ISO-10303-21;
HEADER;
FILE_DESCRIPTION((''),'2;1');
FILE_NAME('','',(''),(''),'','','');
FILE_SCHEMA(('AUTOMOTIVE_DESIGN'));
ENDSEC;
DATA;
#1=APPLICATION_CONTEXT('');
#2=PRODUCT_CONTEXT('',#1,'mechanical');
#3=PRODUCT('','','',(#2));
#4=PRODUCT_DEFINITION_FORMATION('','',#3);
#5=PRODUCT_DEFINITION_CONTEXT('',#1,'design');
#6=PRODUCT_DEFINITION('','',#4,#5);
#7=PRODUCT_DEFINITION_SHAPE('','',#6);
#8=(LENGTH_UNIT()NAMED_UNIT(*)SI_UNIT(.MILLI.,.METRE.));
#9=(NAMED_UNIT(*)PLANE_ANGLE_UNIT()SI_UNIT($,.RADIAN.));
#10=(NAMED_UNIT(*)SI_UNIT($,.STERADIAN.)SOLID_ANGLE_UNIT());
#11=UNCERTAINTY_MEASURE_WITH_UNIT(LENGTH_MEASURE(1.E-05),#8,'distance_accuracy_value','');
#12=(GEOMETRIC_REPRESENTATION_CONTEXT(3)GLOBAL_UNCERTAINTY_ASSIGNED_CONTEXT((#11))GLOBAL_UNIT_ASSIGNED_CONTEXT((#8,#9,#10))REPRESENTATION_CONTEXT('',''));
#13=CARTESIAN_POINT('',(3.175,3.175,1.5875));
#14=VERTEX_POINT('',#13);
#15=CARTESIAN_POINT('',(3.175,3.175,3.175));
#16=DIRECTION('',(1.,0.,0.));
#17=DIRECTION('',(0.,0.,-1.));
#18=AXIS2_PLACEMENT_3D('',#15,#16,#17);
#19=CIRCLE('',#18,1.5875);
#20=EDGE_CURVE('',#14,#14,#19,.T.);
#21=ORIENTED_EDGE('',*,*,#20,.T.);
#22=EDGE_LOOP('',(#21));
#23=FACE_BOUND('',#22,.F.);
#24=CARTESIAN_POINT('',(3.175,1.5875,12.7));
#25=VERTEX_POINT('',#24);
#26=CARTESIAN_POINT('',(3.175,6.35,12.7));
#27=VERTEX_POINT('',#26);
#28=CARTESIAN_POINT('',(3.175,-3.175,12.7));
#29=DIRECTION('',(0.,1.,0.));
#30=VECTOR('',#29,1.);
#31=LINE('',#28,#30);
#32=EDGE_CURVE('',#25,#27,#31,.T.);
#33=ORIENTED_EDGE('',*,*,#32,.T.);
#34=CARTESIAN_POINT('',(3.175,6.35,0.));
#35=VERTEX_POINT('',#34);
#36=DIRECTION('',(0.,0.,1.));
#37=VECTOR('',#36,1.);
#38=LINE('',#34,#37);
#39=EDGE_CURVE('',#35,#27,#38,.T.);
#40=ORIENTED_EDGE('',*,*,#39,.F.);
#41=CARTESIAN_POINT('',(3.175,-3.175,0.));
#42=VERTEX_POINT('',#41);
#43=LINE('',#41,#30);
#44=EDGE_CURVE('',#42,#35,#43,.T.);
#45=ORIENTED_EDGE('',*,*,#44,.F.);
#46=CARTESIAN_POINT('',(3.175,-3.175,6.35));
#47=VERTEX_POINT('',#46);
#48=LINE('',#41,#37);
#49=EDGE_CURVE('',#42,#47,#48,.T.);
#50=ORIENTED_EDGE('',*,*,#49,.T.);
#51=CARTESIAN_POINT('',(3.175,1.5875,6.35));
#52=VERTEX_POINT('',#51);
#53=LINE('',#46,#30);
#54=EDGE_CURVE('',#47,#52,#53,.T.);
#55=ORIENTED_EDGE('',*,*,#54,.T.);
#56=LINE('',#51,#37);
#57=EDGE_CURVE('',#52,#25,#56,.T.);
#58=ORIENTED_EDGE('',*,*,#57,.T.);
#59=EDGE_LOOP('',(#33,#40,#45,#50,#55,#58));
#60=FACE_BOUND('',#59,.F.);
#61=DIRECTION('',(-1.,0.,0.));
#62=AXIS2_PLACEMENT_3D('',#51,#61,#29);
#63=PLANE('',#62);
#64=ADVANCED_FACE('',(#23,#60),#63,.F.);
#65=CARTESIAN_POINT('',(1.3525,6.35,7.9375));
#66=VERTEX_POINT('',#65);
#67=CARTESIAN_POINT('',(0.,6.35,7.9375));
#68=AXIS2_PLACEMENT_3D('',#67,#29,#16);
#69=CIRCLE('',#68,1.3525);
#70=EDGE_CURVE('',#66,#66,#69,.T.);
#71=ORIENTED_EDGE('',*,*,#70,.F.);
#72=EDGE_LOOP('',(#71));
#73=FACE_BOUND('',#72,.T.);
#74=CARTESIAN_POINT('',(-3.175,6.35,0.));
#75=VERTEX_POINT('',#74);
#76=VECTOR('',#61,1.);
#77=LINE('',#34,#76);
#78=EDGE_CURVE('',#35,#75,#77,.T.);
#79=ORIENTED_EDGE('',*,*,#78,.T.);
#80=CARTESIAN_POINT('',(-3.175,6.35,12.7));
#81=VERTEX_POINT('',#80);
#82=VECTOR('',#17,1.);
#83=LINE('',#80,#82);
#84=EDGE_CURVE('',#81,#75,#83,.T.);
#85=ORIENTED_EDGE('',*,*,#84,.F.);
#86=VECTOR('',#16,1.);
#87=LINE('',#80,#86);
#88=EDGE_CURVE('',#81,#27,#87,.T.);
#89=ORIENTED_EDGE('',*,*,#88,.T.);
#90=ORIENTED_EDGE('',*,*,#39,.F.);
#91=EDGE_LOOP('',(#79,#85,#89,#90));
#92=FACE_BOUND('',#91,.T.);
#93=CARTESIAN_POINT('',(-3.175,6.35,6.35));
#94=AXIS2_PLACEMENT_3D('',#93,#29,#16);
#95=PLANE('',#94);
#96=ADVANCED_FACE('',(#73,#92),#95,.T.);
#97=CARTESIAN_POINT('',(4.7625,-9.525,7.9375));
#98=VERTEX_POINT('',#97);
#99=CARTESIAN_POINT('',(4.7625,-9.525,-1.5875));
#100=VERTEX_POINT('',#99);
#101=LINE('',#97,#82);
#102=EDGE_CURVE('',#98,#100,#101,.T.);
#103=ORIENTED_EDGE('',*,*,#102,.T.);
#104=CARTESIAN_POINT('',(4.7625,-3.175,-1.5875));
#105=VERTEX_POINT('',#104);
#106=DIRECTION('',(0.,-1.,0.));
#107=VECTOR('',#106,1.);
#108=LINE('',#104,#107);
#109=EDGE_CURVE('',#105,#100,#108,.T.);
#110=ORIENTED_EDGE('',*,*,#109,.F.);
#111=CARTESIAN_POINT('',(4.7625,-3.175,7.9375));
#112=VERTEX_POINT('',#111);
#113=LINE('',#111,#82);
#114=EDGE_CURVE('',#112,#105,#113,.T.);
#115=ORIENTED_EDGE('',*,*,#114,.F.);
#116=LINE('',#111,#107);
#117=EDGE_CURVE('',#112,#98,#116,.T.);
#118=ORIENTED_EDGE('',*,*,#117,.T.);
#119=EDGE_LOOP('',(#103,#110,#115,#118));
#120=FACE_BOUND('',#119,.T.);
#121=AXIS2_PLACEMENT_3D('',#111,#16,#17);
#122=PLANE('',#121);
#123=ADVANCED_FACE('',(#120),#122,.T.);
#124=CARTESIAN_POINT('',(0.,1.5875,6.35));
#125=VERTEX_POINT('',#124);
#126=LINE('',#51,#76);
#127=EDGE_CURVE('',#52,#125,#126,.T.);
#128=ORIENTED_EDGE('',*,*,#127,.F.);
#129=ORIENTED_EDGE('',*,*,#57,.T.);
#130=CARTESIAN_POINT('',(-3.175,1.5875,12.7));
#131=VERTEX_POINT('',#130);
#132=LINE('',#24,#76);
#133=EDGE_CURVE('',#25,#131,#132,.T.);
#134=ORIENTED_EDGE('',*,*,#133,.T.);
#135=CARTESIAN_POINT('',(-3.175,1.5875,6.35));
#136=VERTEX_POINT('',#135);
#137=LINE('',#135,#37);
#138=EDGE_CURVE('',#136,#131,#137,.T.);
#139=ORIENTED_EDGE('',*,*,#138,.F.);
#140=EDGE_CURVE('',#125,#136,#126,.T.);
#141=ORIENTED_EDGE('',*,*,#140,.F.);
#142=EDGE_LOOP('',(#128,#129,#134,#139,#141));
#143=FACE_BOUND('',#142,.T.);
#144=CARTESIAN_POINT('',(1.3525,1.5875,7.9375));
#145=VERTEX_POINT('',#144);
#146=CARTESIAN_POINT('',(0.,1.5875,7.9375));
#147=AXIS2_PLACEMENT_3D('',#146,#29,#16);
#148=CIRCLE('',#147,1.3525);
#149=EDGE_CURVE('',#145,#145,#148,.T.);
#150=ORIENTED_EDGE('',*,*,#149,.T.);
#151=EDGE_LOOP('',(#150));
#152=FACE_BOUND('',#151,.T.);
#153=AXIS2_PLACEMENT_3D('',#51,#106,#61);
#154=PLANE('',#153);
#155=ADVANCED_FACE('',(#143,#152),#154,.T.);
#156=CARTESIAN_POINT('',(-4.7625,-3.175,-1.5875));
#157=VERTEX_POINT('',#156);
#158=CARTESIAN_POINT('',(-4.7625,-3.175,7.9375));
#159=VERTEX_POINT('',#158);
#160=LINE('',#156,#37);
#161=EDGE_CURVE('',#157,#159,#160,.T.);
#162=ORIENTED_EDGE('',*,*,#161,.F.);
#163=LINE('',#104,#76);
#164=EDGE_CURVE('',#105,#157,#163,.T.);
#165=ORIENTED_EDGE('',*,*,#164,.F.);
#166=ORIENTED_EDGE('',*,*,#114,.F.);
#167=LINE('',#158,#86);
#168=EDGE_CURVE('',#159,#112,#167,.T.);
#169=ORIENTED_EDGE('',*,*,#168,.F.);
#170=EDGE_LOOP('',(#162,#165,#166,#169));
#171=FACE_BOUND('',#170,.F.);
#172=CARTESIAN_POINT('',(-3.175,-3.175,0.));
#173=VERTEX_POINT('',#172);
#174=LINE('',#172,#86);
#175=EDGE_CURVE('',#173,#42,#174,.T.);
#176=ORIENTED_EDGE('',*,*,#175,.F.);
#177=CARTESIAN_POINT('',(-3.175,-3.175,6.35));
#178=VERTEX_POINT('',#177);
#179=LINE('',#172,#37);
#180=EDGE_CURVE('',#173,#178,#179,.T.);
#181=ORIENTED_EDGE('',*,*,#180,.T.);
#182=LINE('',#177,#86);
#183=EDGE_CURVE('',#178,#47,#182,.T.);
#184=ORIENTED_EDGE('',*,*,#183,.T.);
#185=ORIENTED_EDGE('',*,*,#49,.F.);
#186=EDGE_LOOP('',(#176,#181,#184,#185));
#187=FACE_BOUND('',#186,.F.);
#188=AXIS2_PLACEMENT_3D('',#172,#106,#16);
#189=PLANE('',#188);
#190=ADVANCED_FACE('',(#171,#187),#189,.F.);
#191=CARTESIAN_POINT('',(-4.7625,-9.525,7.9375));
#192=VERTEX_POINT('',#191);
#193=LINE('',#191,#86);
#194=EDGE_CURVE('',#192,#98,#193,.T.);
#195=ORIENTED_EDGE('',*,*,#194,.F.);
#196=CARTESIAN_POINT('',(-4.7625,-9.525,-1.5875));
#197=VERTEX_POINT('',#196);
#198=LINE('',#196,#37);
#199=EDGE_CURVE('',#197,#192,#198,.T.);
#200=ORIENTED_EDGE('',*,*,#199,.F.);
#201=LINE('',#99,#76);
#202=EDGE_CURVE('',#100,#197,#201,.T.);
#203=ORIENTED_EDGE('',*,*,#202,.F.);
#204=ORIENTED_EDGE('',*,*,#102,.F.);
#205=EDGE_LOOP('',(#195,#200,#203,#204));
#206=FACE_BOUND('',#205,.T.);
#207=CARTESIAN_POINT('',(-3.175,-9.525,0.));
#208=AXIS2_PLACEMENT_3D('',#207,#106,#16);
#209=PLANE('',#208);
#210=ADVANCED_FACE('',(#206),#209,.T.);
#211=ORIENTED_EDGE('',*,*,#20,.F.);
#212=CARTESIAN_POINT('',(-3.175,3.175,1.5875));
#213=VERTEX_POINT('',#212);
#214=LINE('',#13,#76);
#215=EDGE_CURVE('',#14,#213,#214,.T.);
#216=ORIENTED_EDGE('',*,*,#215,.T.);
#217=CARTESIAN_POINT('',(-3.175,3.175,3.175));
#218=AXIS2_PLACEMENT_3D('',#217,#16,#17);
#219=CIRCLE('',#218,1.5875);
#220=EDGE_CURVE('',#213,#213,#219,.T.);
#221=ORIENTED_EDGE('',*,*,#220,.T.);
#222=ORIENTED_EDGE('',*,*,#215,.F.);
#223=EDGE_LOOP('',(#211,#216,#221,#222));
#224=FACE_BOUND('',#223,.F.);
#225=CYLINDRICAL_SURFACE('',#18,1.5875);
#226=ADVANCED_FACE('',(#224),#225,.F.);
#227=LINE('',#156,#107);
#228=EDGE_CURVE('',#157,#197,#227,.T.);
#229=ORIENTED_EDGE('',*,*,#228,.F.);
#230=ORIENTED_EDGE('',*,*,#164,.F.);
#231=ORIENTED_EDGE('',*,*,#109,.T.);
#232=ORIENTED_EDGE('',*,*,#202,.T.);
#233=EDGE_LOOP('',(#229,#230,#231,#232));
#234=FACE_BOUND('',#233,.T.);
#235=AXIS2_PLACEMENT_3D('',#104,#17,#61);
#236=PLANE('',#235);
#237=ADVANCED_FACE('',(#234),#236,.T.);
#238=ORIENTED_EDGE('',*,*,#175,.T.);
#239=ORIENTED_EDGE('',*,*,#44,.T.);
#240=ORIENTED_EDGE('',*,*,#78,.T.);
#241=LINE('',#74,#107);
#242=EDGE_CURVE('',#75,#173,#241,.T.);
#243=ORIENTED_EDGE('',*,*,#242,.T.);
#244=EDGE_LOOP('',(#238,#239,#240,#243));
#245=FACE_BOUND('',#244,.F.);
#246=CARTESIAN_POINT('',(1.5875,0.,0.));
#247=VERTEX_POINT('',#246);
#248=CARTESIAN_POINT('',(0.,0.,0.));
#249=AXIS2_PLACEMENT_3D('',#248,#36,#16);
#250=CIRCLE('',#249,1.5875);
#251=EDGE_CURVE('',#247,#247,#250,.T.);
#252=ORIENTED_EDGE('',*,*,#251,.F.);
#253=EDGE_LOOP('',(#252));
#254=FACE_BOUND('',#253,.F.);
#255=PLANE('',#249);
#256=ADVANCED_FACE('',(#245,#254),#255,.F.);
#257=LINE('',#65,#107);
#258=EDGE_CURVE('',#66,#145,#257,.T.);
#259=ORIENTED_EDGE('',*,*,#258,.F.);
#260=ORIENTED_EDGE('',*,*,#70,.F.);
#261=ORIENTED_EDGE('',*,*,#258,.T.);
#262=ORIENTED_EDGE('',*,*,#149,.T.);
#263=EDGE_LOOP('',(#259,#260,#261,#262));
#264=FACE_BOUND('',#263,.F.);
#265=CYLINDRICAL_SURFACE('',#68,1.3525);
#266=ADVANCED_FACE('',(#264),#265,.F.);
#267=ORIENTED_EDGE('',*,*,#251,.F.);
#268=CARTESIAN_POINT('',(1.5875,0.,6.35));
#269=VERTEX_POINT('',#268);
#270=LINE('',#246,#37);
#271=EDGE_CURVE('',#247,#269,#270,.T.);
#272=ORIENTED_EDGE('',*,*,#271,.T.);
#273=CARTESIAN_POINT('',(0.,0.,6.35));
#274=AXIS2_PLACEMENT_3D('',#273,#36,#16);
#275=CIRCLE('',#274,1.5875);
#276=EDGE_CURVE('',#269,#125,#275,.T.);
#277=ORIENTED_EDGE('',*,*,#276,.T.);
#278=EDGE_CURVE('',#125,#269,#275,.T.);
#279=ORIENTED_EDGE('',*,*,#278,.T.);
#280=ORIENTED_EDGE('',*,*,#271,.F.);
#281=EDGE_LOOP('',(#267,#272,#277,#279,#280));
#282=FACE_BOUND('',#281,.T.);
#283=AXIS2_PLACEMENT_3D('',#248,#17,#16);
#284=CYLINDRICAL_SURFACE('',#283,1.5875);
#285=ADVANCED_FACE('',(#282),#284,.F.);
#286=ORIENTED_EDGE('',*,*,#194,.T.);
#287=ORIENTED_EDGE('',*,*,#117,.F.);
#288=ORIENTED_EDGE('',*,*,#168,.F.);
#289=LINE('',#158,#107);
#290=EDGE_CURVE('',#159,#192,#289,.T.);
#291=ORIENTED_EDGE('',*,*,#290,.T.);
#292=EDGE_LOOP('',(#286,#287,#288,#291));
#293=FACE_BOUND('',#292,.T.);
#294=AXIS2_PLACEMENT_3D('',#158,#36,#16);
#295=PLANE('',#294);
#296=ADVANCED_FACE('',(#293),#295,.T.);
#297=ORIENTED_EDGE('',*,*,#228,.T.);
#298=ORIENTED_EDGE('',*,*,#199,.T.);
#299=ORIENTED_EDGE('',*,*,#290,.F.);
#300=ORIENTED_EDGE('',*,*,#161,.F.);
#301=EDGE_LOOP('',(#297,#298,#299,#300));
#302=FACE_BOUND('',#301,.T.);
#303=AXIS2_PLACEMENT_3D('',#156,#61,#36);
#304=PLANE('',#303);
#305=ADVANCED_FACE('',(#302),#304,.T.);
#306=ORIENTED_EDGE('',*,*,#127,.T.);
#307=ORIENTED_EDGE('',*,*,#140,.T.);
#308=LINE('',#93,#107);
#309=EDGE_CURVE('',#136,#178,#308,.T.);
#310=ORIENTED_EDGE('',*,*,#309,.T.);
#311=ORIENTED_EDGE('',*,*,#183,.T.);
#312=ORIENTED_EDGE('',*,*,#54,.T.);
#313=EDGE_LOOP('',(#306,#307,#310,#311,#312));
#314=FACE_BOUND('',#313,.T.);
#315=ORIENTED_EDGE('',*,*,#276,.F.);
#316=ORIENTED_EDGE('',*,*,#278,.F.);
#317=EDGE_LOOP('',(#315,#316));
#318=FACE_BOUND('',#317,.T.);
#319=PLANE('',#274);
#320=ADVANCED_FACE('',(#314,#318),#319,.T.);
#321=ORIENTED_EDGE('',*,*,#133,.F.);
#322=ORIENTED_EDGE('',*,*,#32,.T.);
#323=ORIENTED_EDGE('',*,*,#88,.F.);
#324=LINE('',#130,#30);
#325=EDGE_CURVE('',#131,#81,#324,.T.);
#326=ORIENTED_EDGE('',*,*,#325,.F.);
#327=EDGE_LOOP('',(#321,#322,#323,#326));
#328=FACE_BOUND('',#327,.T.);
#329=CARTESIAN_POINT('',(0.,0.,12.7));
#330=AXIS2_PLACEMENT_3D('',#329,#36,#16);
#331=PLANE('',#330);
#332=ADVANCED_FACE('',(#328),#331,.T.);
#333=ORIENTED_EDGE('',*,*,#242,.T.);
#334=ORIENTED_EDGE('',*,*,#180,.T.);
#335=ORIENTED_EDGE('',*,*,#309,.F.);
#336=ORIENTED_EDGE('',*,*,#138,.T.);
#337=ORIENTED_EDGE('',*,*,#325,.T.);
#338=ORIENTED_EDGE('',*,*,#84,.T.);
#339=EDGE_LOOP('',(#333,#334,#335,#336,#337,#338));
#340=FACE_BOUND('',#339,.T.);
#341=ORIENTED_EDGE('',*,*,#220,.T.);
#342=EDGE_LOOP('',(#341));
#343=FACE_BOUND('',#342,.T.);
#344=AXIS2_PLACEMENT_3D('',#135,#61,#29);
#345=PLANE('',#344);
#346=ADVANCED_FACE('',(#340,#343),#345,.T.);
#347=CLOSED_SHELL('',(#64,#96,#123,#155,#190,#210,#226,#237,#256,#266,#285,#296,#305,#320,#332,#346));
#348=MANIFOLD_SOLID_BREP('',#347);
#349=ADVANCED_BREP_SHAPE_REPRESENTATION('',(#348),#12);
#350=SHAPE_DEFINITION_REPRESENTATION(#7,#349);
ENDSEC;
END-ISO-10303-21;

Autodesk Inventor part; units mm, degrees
ref_plane "YZ Plane" through (0, 0, 0) normal (1, 0, 0) x (0, 1, 0)
ref_plane "XZ Plane" through (0, 0, 0) normal (0, 1, 0) x (-1, 0, 0)
ref_plane "XY Plane" through (0, 0, 0) normal (0, 0, 1) x (1, 0, 0)
sketch "Sketch1" plane through (0, 0, 0) normal (0, 0, 1) x (1, 0, 0)
  circle A0 centre (0, 0) radius 1.5875
  line L0 (-3.175, -3.175) -> (3.175, -3.175)
  line L1 (3.175, -3.175) -> (3.175, 6.35)
  line L2 (3.175, 6.35) -> (-3.175, 6.35)
  line L3 (-3.175, 6.35) -> (-3.175, -3.175)
  dimension "d0" = 3.175
  dimension "d2" = 6.35
  dimension "d3" = 3.175
  dimension "d4" = 3.175
  dimension "d5" = 9.525
extrude "Extrusion1" add sketch "Sketch1" along normal blind 6.35
sketch "Sketch2" plane through (3.175, -3.175, 0) normal (1, 0, 0) x (0, 0, -1)
  line L0 (0, 9.525) -> (-6.35, 9.525) projected
  circle A0 centre (-3.175, 6.35) radius 1.5875
  point P0 (0, 3.175)
  dimension "d8" = 3.175
  dimension "d9" = 3.175
extrude "Extrusion2" cut sketch "Sketch2" against normal up to next
sketch "Sketch3" plane through (0, 0, 6.35) normal (0, 0, 1) x (1, 0, 0)
  line L0 (3.175, -3.175) -> (3.175, 6.35) projected
  line L1 (-3.175, 6.35) -> (3.175, 6.35)
  line L2 (3.175, 6.35) -> (3.175, 1.5875)
  line L3 (3.175, 1.5875) -> (-3.175, 1.5875)
  line L4 (-3.175, 1.5875) -> (-3.175, 6.35)
  point P0 (3.175, 0)
extrude "Extrusion3" add sketch "Sketch3" along normal blind 6.35
sketch "Sketch4" plane through (-3.175, 6.35, 0) normal (0, 1, 0) x (1, 0, 0)
  circle A0 centre (3.175, -7.9375) radius 1.3525
  line L0 (6.35, 0) -> (0, 0) projected
  point P0 (3.175, 0)
  dimension "d15" = 2.7051
  dimension "d26" = 7.9375
extrude "Extrusion4" cut sketch "Sketch4" against normal blind 6.35
sketch "Sketch5" plane through (-3.175, -3.175, 0) normal (0, -1, 0) x (1, 0, 0)
  line L0 (0, 0) -> (6.35, 0) projected
  line L1 (6.35, 0) -> (6.35, 6.35) projected
  line L2 (0, 6.35) -> (6.35, 6.35) projected
  line L3 (0, 0) -> (0, 6.35) projected
  line L4 (-1.5875, 7.9375) -> (7.9375, 7.9375)
  line L5 (7.9375, 7.9375) -> (7.9375, -1.5875)
  line L6 (7.9375, -1.5875) -> (-1.5875, -1.5875)
  line L7 (-1.5875, -1.5875) -> (-1.5875, 7.9375)
  point P0 (3.175, 0)
  dimension "d20" = 1.5875
  dimension "d21" = 1.5875
  dimension "d22" = 1.5875
  dimension "d23" = 1.5875
extrude "Extrusion5" add sketch "Sketch5" along normal blind 6.35 contours L3 L2 L1 L0 | L4 L5 L6 L7
properties part number "quad"
